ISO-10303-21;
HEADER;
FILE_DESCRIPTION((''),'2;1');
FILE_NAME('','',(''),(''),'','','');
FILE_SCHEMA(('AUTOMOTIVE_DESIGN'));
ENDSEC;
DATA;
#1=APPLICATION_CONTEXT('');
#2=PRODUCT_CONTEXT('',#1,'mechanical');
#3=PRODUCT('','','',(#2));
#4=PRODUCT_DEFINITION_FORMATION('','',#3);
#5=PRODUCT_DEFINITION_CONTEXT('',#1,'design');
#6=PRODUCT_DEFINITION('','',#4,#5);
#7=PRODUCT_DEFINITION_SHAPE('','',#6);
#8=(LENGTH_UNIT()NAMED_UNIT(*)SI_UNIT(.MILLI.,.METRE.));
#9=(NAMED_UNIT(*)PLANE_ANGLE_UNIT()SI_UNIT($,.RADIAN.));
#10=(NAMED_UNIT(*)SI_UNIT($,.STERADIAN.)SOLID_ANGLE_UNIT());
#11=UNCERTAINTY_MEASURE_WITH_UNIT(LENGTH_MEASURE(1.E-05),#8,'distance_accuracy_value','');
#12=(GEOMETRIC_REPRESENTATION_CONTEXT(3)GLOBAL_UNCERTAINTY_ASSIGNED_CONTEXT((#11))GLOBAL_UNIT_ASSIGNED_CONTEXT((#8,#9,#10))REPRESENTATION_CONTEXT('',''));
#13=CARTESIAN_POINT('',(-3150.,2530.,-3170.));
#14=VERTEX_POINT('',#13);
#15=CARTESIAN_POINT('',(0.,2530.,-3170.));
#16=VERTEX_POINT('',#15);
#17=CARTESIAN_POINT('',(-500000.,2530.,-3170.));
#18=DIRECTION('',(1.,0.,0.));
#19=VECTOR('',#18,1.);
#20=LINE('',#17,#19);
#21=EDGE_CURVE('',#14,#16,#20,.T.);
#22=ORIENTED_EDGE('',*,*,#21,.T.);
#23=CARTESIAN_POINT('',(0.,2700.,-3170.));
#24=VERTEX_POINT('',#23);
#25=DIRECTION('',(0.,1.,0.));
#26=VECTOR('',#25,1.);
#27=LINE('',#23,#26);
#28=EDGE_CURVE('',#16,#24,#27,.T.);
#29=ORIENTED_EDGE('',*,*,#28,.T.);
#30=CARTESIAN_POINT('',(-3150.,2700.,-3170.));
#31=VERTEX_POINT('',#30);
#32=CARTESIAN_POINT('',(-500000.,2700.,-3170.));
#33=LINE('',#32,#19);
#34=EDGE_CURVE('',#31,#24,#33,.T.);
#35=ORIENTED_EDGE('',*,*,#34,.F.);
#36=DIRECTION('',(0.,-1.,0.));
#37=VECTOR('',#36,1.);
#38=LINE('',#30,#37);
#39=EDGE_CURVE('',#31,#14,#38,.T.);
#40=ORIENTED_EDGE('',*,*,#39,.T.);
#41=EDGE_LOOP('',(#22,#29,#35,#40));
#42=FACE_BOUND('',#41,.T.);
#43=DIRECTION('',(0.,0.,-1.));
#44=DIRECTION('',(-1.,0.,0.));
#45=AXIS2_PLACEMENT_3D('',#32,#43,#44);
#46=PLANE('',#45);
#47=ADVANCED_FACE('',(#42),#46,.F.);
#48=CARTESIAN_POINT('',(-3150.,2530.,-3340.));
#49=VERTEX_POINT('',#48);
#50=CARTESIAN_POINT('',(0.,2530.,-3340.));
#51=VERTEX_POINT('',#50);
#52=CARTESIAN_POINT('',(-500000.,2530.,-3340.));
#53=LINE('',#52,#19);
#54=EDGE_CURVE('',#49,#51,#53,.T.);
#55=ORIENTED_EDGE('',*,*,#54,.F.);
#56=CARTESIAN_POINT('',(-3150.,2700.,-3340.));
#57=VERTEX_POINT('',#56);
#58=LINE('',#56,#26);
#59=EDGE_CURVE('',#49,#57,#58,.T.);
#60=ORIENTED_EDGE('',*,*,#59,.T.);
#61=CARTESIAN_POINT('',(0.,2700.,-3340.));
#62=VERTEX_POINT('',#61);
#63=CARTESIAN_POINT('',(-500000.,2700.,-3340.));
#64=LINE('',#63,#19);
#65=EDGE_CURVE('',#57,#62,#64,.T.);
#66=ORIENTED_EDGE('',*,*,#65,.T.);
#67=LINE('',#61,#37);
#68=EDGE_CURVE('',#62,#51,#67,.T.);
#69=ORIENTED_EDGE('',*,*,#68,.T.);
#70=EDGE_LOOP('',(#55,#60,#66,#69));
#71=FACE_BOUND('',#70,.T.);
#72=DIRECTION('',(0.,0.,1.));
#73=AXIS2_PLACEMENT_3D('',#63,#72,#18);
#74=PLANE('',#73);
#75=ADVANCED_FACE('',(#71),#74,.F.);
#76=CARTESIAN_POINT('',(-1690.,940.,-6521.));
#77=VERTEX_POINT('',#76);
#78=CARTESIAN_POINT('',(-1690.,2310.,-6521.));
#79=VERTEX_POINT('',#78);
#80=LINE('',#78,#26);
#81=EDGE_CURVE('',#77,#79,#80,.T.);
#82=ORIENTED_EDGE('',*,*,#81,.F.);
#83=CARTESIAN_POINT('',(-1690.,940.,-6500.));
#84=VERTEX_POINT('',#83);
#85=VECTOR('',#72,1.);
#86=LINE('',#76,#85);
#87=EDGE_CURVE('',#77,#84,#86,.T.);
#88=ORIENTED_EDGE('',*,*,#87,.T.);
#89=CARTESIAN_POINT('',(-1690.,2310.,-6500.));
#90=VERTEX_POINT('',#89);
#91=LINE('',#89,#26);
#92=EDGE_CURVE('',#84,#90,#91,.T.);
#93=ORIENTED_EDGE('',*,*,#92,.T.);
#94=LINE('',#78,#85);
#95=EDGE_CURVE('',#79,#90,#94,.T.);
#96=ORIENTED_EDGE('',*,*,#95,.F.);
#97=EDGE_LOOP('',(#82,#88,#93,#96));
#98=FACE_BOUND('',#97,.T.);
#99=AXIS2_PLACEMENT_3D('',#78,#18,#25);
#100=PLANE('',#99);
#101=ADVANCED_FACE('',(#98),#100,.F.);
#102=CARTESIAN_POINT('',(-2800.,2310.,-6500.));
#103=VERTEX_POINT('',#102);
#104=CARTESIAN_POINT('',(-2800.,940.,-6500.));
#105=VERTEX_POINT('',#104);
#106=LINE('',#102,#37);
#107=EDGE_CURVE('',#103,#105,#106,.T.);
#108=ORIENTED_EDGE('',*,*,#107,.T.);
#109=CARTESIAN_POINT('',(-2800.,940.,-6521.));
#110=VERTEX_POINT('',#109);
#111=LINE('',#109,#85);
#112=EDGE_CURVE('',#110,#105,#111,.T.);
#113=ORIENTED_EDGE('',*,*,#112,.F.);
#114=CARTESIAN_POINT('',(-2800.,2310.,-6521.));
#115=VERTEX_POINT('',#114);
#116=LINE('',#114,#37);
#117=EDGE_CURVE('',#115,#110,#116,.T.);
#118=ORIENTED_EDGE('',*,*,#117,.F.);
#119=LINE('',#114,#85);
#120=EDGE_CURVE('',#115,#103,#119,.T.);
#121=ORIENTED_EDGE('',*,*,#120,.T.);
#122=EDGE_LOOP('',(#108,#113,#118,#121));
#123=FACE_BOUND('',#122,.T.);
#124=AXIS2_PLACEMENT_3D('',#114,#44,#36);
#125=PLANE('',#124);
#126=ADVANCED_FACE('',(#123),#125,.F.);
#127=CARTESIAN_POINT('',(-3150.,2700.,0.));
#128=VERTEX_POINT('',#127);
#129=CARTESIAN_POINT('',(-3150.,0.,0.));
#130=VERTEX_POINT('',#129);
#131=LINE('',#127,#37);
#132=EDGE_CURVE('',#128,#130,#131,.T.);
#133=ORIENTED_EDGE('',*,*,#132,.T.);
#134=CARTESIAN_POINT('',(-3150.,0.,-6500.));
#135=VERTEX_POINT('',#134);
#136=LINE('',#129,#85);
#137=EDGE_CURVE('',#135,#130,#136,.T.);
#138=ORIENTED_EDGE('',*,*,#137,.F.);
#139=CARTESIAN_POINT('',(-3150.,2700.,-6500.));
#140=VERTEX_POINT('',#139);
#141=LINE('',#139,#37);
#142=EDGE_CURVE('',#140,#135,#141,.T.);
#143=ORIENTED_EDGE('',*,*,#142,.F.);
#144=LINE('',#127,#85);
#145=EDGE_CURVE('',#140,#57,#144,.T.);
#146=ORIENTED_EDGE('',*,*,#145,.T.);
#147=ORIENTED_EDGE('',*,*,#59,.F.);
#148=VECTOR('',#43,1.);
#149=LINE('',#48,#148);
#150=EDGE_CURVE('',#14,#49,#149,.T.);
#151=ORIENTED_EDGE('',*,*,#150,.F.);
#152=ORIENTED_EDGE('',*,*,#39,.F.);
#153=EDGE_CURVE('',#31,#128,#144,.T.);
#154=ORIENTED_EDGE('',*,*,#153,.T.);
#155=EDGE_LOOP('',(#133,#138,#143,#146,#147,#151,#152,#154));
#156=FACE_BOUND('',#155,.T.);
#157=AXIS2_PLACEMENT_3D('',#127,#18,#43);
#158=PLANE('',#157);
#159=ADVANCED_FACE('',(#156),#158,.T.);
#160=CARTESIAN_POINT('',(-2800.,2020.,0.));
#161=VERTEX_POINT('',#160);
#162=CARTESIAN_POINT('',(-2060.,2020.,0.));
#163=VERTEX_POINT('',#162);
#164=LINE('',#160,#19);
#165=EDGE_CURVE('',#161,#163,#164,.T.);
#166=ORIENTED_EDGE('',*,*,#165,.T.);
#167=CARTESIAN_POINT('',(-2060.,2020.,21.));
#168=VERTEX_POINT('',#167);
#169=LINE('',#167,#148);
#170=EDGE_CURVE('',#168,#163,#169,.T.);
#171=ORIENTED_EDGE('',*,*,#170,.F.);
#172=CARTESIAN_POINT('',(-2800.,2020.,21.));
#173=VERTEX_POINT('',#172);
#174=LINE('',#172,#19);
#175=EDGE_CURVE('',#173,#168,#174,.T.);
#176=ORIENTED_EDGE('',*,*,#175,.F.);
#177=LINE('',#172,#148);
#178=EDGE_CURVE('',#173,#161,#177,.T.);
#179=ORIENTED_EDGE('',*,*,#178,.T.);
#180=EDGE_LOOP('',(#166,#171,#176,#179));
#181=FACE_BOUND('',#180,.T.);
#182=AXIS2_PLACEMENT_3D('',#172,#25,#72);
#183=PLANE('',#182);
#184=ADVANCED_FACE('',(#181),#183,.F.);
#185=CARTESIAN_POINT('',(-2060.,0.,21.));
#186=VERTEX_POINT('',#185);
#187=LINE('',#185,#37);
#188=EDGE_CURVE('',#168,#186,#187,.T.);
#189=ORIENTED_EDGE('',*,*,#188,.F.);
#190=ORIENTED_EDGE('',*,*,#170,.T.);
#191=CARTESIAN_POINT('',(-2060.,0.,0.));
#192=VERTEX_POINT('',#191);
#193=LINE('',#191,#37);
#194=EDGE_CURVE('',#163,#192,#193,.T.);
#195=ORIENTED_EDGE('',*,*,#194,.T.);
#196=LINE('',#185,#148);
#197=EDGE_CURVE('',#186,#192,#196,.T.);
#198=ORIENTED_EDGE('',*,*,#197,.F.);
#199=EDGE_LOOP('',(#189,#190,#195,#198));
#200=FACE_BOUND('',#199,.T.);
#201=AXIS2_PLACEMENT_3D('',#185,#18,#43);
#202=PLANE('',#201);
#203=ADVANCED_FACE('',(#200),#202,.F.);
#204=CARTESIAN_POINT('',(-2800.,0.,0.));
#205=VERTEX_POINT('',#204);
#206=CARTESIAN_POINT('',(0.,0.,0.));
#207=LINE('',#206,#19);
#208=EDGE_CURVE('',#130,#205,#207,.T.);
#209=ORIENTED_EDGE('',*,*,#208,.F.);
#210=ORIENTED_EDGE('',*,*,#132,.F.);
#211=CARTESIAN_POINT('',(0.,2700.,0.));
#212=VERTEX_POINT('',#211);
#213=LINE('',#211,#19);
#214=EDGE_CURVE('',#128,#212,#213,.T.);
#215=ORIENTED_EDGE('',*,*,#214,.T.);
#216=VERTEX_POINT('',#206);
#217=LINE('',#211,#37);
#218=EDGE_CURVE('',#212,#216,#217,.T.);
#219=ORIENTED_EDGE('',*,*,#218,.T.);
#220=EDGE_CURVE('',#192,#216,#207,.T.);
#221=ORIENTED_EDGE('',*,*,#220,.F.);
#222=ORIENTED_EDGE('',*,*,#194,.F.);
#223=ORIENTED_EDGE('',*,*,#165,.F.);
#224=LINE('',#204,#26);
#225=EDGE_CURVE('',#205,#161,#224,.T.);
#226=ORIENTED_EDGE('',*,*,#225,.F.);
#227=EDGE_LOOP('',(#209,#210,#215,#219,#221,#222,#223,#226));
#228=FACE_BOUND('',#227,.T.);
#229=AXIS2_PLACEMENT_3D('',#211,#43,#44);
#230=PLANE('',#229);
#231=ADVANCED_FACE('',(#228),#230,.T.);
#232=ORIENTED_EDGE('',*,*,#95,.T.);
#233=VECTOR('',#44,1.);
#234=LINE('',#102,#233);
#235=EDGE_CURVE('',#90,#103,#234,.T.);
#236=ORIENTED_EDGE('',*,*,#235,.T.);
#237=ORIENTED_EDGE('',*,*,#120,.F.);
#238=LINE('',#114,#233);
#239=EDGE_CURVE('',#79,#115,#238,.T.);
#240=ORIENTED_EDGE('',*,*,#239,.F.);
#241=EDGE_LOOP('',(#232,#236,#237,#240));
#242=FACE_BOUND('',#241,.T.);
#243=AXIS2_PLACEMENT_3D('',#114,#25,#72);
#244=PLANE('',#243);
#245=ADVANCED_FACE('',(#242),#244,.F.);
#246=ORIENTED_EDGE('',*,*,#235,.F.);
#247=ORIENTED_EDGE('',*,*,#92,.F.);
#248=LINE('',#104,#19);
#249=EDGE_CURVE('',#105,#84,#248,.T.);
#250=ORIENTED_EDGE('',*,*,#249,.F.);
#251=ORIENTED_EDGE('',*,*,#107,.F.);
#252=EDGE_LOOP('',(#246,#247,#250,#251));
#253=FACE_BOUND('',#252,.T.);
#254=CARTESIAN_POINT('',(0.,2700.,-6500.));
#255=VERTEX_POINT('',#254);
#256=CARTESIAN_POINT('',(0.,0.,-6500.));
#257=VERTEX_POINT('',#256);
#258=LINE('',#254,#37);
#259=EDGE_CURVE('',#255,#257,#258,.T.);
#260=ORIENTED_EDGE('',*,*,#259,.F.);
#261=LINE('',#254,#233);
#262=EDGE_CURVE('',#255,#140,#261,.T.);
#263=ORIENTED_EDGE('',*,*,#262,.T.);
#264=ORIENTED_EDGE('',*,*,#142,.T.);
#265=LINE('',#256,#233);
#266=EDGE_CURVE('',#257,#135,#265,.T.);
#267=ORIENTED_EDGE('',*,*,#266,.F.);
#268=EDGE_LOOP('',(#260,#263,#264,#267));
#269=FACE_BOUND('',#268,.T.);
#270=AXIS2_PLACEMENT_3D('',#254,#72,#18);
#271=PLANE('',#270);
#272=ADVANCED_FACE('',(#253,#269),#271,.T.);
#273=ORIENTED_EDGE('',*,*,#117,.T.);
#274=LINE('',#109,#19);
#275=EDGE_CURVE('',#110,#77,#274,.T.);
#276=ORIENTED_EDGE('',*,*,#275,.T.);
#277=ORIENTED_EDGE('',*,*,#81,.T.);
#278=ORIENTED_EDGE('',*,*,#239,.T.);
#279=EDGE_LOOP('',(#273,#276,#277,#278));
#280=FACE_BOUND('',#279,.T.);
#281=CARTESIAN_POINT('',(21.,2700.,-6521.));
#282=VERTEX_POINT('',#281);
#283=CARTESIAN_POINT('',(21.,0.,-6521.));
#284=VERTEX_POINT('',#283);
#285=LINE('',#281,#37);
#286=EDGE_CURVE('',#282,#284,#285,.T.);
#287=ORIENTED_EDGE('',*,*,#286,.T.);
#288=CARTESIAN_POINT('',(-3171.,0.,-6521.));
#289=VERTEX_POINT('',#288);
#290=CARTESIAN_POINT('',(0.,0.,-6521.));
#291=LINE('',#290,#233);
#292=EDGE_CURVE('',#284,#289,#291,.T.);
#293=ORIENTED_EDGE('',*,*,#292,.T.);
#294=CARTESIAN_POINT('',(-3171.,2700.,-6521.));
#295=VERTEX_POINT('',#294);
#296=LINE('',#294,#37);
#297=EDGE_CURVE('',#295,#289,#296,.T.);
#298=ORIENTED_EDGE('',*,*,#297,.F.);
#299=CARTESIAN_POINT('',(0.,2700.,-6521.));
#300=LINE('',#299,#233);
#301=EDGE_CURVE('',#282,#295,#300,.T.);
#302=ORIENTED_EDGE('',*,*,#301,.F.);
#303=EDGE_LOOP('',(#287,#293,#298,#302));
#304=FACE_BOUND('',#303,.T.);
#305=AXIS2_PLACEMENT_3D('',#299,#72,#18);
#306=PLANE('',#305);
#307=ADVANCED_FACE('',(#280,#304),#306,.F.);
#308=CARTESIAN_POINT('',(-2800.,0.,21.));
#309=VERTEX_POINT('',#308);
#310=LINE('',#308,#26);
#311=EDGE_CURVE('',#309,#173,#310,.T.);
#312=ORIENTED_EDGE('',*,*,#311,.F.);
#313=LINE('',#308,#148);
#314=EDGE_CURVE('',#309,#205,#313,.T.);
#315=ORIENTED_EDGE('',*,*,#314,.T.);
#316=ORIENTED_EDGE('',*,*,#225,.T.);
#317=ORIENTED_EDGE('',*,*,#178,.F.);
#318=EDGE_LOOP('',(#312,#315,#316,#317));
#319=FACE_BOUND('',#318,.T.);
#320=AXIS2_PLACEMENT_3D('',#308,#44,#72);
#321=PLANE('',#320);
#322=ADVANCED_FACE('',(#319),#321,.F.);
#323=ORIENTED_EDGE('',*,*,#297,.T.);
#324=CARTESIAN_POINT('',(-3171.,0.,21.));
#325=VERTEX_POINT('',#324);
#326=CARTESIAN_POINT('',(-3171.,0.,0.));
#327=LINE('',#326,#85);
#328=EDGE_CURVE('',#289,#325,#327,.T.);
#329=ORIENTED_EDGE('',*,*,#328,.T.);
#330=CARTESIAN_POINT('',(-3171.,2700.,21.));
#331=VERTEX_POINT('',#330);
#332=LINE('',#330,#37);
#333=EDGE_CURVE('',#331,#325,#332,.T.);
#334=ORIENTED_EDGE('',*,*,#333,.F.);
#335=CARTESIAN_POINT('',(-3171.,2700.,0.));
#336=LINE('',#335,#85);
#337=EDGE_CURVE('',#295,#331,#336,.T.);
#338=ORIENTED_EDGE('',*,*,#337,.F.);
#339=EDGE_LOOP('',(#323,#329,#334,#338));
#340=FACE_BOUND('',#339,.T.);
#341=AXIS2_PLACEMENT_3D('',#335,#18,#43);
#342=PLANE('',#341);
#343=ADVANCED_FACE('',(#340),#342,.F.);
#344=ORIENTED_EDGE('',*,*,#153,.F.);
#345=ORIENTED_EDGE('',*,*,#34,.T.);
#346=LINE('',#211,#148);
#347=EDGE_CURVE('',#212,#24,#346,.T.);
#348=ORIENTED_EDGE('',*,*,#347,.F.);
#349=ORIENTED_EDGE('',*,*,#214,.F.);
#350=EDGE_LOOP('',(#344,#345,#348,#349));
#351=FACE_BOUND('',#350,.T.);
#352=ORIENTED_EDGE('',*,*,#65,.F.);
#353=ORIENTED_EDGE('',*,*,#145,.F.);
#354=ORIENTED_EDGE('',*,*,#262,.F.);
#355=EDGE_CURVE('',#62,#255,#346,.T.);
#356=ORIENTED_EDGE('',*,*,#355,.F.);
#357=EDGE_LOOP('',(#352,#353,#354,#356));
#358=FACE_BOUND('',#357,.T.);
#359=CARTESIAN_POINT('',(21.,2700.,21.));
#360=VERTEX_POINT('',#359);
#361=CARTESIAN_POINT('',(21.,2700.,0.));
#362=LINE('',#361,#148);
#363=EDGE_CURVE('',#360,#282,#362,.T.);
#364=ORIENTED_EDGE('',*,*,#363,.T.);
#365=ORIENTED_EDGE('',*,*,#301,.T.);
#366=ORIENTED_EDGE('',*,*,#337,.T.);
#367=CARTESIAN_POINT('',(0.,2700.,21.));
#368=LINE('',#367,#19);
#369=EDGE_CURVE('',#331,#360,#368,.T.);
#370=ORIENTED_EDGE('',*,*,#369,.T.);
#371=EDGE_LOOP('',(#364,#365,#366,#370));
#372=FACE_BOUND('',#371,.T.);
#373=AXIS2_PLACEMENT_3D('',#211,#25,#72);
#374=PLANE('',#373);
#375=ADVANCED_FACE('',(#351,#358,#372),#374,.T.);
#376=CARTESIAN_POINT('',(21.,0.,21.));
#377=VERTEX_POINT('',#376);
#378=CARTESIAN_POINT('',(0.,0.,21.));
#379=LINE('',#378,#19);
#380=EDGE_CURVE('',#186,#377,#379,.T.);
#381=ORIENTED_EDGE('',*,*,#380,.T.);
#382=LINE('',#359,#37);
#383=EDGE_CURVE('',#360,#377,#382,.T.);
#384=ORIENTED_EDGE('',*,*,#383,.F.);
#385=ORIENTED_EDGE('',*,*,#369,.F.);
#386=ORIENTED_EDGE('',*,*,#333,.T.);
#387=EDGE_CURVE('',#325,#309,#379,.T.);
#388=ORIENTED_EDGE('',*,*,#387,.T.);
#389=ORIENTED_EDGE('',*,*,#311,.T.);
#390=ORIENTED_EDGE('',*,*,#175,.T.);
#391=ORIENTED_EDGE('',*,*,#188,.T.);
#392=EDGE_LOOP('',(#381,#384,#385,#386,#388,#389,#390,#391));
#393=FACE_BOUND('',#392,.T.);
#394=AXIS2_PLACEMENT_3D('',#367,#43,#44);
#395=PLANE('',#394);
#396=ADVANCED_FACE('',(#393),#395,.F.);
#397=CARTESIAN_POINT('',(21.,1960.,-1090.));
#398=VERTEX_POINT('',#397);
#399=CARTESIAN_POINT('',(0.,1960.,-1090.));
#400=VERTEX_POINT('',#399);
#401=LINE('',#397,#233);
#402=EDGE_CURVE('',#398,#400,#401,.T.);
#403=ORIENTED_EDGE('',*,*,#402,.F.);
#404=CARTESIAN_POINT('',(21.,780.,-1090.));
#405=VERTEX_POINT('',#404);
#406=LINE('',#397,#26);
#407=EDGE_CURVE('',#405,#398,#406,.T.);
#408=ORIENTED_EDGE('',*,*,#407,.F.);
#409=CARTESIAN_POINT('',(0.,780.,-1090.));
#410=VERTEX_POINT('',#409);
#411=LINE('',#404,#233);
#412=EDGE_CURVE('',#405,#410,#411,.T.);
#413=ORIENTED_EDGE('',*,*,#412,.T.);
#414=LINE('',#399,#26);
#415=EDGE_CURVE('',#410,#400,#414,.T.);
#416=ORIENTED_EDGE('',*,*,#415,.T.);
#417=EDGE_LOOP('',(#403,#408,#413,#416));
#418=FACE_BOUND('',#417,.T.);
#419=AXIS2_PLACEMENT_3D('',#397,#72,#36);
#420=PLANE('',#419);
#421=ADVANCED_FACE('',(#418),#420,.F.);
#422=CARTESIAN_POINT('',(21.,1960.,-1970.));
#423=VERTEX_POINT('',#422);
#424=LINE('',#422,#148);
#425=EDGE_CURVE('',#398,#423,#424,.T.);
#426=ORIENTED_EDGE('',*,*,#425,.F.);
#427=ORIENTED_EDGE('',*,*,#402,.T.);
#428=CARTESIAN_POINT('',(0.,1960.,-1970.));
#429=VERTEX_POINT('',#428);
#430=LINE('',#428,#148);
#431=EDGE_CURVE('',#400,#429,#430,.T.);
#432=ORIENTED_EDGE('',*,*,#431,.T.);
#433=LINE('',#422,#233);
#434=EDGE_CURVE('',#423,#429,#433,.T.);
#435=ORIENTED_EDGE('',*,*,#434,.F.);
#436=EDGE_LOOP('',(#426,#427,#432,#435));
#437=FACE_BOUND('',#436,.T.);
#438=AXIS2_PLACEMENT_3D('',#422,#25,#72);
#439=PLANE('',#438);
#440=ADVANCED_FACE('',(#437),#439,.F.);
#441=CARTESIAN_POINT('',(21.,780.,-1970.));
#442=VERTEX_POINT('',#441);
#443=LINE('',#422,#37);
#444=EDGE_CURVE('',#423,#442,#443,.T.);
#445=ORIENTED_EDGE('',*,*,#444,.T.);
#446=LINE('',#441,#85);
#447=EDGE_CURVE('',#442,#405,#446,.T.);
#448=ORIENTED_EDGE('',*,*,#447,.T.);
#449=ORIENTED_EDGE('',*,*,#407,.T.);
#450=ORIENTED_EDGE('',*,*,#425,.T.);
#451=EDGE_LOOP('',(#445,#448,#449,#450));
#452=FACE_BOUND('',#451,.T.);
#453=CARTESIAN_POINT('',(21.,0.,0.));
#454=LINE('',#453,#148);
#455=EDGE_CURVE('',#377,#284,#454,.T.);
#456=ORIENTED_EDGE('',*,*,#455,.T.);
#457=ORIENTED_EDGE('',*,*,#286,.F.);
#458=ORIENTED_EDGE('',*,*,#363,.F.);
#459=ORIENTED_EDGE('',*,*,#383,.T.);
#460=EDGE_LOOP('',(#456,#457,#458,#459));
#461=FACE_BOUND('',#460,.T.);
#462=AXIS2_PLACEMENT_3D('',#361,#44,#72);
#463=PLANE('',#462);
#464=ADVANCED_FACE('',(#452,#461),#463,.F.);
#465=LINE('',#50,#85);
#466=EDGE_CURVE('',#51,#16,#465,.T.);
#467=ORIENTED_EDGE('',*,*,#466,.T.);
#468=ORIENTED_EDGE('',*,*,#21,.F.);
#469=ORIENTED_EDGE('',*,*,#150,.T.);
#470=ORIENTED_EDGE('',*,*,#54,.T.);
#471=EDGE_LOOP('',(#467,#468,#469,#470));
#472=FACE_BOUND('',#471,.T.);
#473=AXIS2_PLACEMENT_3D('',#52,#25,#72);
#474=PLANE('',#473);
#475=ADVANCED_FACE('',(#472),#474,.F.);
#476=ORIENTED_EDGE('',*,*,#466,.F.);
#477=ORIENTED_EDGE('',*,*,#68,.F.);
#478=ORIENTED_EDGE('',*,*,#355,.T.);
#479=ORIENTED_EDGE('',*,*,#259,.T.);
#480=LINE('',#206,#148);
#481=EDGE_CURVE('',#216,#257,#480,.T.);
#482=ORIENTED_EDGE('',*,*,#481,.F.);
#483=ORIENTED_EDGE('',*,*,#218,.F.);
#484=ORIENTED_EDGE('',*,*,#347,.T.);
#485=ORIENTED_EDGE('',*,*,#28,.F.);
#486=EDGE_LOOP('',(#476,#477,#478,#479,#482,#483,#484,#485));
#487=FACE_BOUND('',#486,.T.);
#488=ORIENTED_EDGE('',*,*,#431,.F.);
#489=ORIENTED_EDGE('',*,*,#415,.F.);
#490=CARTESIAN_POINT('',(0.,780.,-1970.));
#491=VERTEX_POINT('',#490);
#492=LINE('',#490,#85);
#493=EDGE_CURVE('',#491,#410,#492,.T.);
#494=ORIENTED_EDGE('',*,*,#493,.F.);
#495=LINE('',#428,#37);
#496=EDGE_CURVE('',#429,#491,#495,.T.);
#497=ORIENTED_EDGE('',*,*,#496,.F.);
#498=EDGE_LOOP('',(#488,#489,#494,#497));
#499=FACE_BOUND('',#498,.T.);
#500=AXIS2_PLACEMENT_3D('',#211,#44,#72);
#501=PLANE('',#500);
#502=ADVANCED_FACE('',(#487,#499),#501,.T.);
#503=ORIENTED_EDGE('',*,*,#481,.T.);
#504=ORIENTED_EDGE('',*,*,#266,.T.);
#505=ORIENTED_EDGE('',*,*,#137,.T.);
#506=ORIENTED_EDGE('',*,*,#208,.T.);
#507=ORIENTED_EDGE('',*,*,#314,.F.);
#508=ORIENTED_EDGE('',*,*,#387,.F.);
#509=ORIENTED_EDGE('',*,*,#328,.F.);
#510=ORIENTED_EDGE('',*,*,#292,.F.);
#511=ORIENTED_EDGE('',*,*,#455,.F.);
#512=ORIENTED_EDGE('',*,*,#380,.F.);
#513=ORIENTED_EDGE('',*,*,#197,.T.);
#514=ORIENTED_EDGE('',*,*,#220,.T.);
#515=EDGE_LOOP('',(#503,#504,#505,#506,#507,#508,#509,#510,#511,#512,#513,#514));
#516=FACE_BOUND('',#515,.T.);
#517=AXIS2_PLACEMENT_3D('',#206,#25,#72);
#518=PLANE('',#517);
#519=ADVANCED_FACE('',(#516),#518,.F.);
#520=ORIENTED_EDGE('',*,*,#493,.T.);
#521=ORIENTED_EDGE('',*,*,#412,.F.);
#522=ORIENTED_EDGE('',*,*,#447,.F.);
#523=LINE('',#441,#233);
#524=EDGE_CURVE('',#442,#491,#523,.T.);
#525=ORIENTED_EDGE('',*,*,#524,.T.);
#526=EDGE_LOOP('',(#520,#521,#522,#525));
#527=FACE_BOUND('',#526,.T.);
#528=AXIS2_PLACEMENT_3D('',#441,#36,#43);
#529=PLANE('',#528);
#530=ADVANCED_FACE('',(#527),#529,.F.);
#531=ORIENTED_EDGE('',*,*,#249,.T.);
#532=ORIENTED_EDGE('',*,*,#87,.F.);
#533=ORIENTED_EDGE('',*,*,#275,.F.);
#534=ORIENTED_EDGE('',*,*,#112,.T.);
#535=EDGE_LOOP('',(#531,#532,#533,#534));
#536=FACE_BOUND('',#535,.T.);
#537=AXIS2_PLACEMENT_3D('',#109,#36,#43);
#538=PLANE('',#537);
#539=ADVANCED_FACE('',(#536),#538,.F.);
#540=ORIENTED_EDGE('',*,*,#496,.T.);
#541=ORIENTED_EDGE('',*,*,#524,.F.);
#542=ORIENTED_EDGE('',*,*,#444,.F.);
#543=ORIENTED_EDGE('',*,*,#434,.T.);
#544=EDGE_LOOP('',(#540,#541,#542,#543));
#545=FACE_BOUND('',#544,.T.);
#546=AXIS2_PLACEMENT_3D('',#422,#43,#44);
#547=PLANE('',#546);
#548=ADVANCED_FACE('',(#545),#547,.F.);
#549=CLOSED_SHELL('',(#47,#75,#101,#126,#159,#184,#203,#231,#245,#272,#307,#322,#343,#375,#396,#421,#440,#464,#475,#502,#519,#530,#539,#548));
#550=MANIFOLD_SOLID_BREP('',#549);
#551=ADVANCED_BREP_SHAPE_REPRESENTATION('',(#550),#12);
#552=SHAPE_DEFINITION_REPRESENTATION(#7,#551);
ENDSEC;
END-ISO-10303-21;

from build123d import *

# Parameters (mm, degrees)
SKETCH_1_W            = 3192
SKETCH_1_H            = 6542
SKETCH_1_W_2          = 3150
SKETCH_1_H_2          = 6500
EXTRUDE_381_DEPTH     = 2700
SKETCH_2_W            = 740
SKETCH_2_H            = 2020
CUT_EXTRUDE_622_DEPTH = 22
SKETCH_3_W            = 880
SKETCH_3_H            = 1180
CUT_EXTRUDE_1_DEPTH   = 22
SKETCH_4_W            = 1110
SKETCH_4_H            = 1370
CUT_EXTRUDE_2_DEPTH   = 22
EXTRUDE_1378_REACH    = 3173
SKETCH_5_W            = 170
SKETCH_5_H            = 170


with BuildPart() as part:
    # 草图1 → Extrude 381 (new body)
    with BuildSketch(Plane(origin=(0, 0, 0), x_dir=(1, 0, 0), z_dir=(0, 1, 0))):
        with Locations((-1575, 3250)):
            Rectangle(SKETCH_1_W, SKETCH_1_H)
        with Locations((-1575, 3250)):
            Rectangle(SKETCH_1_W_2, SKETCH_1_H_2, mode=Mode.SUBTRACT)
    extrude(amount=EXTRUDE_381_DEPTH)

    # 草图2 → Cut-Extrude 622 (cut, through all)
    with BuildSketch(Plane(origin=(0, 0, 0), x_dir=(-1, 0, 0), z_dir=(0, 0, -1))):
        with Locations((2430, 1010)):
            Rectangle(SKETCH_2_W, SKETCH_2_H)
    extrude(amount=-CUT_EXTRUDE_622_DEPTH, mode=Mode.SUBTRACT)

    # 草图3 → 窗1 (cut, through all)
    with BuildSketch(Plane.ZY):
        with Locations((-1530, 1370)):
            Rectangle(SKETCH_3_W, SKETCH_3_H)
    extrude(amount=-CUT_EXTRUDE_1_DEPTH, mode=Mode.SUBTRACT)

    # 草图4 → 窗2 (cut, through all)
    with BuildSketch(Plane.XY.offset(-6500)):
        with Locations((-2245, 1625)):
            Rectangle(SKETCH_4_W, SKETCH_4_H)
    extrude(amount=-CUT_EXTRUDE_2_DEPTH, mode=Mode.SUBTRACT)

    # 草图5 → Extrude 1378 (add, up to next)
    with BuildSketch(Plane.ZY, mode=Mode.PRIVATE) as extrude_1378_sk1:
        with Locations((-3255, 2615)):
            Rectangle(SKETCH_5_W, SKETCH_5_H)
    extrude_1378_tool1 = extrude(extrude_1378_sk1.sketch, amount=EXTRUDE_1378_REACH, mode=Mode.PRIVATE) - part.part
    add(extrude_1378_tool1.solids().sort_by_distance((0, 2615, -3255))[0])


solid = part.part
